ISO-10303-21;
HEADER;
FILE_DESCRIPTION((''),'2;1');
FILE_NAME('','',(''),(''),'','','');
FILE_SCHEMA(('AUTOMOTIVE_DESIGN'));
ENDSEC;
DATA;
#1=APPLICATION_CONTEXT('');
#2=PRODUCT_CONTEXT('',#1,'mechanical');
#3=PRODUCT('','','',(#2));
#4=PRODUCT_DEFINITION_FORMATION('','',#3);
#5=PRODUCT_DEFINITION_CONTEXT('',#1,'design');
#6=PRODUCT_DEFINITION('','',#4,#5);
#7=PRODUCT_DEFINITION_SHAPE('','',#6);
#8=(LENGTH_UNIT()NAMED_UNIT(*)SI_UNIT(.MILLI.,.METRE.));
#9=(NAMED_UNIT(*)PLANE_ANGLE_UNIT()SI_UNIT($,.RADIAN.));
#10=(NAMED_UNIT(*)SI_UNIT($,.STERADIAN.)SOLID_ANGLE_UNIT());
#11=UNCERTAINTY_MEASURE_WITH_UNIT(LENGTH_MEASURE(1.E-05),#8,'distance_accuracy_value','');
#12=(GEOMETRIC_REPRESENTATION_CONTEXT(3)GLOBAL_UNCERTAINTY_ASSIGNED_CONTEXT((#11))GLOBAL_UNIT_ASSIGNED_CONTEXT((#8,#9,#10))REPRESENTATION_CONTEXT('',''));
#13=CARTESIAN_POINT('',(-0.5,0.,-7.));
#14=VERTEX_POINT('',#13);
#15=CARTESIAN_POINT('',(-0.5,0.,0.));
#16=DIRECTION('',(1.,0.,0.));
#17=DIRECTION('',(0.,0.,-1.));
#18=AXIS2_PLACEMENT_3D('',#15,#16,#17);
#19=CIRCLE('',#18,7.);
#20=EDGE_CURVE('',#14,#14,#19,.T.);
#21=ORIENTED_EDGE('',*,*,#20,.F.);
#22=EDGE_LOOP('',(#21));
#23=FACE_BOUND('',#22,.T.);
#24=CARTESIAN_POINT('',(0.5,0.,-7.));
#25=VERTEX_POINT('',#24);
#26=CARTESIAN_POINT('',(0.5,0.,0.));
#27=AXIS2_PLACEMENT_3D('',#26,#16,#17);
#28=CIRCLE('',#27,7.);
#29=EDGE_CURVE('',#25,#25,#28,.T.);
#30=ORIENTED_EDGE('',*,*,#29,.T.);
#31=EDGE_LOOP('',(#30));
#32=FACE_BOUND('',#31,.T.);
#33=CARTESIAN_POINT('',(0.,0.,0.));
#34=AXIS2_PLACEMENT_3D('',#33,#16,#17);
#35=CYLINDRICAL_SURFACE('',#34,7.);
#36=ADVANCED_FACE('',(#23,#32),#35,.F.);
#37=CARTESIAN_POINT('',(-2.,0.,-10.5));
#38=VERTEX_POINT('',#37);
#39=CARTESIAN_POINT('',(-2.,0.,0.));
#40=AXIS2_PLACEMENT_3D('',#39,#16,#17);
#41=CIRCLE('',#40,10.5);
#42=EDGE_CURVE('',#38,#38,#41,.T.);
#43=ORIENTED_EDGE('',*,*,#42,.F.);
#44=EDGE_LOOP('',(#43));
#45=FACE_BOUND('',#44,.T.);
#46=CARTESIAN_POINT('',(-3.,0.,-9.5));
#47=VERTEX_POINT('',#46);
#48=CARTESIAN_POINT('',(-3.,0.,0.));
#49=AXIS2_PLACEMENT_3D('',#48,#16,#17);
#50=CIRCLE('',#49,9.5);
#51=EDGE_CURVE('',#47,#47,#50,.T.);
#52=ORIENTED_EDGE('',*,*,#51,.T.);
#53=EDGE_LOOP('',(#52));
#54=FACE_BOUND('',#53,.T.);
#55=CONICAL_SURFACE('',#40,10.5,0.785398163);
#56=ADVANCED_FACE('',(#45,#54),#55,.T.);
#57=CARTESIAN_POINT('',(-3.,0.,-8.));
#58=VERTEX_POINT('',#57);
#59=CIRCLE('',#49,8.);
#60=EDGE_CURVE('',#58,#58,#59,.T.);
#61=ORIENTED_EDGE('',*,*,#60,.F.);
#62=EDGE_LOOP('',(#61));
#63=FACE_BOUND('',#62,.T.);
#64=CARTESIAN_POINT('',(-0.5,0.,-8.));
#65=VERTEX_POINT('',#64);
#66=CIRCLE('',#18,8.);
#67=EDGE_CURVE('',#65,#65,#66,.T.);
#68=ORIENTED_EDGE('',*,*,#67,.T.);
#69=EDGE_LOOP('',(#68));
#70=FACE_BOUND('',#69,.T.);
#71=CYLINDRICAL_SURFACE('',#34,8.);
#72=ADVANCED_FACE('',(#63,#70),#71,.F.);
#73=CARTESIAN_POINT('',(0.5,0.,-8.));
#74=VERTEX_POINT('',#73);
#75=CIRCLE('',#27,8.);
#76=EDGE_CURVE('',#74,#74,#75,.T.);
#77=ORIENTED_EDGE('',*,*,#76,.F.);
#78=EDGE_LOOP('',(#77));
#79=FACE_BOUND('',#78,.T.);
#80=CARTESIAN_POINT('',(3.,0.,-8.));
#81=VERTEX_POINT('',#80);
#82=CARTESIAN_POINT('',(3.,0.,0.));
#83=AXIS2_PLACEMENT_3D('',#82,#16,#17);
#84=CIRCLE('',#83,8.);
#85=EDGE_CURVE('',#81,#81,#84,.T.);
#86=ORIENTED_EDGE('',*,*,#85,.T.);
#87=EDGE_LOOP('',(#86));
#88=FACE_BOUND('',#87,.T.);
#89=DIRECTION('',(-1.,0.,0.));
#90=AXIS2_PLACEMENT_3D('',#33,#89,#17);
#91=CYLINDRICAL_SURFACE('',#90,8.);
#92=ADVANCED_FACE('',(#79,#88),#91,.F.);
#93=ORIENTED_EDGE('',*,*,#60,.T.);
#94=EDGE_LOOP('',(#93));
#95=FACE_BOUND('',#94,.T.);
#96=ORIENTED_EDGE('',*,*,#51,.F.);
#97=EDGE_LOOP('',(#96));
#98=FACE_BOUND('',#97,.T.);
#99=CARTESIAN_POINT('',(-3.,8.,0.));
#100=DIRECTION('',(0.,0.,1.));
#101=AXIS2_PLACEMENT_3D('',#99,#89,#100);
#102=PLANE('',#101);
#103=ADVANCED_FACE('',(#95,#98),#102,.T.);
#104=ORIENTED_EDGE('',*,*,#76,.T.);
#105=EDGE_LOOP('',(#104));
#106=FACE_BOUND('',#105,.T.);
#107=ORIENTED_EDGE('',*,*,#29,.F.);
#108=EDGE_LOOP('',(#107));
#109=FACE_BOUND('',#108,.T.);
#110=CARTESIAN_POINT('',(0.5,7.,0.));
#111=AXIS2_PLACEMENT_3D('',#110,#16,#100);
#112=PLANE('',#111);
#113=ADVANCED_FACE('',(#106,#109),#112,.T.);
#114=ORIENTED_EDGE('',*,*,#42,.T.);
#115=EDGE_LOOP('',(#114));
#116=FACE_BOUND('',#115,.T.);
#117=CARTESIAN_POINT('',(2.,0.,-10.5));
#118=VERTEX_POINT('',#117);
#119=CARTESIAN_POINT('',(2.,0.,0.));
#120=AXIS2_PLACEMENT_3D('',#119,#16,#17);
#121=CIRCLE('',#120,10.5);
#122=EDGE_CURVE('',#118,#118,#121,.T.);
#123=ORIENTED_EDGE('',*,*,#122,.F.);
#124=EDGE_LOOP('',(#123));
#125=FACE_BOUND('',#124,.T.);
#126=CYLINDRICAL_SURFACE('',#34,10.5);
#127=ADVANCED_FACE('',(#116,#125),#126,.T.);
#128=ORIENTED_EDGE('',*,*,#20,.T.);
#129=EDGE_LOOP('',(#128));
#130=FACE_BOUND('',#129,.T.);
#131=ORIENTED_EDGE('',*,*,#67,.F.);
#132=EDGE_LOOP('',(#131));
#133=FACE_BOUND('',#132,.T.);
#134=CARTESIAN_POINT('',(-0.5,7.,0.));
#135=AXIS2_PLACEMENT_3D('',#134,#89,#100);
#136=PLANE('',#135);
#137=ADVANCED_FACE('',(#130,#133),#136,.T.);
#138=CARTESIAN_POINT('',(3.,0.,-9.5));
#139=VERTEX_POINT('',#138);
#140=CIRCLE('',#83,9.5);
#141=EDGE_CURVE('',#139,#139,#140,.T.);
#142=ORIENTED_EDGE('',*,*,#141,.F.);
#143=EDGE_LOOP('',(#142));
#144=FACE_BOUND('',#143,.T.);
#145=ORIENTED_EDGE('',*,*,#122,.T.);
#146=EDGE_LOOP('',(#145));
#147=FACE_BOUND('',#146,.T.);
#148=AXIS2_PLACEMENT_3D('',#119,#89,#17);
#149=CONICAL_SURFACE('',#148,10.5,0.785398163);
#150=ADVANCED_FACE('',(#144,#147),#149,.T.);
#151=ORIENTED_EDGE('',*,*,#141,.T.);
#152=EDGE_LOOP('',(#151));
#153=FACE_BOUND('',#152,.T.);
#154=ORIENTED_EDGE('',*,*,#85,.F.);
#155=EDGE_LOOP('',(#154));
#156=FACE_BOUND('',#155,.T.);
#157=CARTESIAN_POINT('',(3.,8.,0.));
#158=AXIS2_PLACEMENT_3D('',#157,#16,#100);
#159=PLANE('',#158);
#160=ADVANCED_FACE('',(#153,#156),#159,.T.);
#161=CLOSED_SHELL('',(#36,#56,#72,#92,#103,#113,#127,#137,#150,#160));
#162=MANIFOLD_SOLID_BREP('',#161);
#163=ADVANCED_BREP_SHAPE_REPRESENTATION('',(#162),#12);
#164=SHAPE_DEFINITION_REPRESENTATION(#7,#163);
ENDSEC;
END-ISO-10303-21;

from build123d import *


with BuildPart() as part:
    # Sketch1 → Revolve1 (revolve)
    with BuildSketch(Plane.XY):
        Polygon((0, 7), (-0.5, 7), (-0.5, 8), (-3, 8), (-3, 9.5), (-2, 10.5), (0, 10.5), align=None)
    revolve1 = revolve(axis=Axis((0, 0, 0), (-1, 0, 0)))

    # Mirror1: Revolve1 across plane
    add(revolve1.mirror(Plane(origin=(0, 10.5, 0), x_dir=(0, 0, 1), z_dir=(1, 0, 0))))


solid = part.part
